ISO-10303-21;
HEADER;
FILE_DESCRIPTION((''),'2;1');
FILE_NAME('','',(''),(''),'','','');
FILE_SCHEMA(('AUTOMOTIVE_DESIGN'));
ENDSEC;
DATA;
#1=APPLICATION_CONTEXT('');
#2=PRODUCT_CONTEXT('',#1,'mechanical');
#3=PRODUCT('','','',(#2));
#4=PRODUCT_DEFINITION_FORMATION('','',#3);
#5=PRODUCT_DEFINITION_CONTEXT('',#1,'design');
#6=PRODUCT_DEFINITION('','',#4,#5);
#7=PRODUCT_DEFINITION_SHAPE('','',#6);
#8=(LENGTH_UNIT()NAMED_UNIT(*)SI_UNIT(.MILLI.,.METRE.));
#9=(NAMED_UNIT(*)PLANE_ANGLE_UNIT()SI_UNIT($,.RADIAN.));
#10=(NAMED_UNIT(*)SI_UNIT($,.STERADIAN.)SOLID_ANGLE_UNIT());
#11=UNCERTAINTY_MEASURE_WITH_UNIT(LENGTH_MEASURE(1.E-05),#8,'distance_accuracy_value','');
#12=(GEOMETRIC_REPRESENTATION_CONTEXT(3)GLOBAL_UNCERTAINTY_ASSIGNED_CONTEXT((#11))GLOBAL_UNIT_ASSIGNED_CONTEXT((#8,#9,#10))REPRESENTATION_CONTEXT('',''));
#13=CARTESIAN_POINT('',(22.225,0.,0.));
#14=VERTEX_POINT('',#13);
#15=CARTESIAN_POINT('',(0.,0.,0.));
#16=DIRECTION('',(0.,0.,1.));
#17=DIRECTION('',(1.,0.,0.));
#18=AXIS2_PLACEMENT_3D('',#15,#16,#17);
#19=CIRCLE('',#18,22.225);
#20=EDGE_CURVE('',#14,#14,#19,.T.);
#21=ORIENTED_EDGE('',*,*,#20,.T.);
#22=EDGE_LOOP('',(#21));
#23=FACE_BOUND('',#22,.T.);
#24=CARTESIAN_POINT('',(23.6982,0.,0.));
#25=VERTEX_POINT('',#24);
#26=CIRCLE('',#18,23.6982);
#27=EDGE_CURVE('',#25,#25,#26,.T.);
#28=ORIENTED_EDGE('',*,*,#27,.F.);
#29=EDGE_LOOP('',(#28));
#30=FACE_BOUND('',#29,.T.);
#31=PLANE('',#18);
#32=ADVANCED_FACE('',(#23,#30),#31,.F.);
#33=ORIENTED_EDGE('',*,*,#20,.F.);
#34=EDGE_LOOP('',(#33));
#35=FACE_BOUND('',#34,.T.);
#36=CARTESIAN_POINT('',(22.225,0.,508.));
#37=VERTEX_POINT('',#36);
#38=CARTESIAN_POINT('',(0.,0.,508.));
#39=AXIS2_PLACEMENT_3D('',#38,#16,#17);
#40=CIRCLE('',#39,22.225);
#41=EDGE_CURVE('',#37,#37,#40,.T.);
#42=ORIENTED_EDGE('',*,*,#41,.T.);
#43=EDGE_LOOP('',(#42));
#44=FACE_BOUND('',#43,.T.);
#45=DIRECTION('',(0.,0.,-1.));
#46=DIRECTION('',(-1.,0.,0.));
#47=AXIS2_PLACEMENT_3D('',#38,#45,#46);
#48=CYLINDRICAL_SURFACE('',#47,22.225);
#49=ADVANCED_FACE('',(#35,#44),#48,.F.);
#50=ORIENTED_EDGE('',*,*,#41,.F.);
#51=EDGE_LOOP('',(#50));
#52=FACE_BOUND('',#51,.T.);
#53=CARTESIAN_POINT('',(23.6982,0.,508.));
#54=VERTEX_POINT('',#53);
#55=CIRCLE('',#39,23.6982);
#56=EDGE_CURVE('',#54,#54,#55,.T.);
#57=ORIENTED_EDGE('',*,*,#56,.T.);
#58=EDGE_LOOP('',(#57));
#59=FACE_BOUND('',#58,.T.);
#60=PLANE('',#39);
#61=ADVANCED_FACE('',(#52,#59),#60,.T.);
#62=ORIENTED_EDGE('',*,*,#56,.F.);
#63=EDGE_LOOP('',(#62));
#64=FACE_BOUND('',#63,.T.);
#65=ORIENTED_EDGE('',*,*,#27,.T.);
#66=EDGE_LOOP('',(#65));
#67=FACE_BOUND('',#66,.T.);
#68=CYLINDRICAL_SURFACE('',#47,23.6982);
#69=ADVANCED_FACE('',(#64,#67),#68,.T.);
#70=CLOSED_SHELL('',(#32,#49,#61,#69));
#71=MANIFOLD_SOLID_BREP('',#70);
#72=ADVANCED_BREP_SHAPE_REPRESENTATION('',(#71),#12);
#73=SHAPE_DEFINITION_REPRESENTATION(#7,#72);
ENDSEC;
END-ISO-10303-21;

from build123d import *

# Parameters (mm, degrees)
SKETCH1_R           = 23.6982
SKETCH1_R_2         = 22.225
BOSS_EXTRUDE1_DEPTH = 508


with BuildPart() as part:
    # Sketch1 → Boss-Extrude1 (new body)
    with BuildSketch(Plane.XY):
        Circle(SKETCH1_R)
        Circle(SKETCH1_R_2, mode=Mode.SUBTRACT)
    extrude(amount=BOSS_EXTRUDE1_DEPTH)


solid = part.part
